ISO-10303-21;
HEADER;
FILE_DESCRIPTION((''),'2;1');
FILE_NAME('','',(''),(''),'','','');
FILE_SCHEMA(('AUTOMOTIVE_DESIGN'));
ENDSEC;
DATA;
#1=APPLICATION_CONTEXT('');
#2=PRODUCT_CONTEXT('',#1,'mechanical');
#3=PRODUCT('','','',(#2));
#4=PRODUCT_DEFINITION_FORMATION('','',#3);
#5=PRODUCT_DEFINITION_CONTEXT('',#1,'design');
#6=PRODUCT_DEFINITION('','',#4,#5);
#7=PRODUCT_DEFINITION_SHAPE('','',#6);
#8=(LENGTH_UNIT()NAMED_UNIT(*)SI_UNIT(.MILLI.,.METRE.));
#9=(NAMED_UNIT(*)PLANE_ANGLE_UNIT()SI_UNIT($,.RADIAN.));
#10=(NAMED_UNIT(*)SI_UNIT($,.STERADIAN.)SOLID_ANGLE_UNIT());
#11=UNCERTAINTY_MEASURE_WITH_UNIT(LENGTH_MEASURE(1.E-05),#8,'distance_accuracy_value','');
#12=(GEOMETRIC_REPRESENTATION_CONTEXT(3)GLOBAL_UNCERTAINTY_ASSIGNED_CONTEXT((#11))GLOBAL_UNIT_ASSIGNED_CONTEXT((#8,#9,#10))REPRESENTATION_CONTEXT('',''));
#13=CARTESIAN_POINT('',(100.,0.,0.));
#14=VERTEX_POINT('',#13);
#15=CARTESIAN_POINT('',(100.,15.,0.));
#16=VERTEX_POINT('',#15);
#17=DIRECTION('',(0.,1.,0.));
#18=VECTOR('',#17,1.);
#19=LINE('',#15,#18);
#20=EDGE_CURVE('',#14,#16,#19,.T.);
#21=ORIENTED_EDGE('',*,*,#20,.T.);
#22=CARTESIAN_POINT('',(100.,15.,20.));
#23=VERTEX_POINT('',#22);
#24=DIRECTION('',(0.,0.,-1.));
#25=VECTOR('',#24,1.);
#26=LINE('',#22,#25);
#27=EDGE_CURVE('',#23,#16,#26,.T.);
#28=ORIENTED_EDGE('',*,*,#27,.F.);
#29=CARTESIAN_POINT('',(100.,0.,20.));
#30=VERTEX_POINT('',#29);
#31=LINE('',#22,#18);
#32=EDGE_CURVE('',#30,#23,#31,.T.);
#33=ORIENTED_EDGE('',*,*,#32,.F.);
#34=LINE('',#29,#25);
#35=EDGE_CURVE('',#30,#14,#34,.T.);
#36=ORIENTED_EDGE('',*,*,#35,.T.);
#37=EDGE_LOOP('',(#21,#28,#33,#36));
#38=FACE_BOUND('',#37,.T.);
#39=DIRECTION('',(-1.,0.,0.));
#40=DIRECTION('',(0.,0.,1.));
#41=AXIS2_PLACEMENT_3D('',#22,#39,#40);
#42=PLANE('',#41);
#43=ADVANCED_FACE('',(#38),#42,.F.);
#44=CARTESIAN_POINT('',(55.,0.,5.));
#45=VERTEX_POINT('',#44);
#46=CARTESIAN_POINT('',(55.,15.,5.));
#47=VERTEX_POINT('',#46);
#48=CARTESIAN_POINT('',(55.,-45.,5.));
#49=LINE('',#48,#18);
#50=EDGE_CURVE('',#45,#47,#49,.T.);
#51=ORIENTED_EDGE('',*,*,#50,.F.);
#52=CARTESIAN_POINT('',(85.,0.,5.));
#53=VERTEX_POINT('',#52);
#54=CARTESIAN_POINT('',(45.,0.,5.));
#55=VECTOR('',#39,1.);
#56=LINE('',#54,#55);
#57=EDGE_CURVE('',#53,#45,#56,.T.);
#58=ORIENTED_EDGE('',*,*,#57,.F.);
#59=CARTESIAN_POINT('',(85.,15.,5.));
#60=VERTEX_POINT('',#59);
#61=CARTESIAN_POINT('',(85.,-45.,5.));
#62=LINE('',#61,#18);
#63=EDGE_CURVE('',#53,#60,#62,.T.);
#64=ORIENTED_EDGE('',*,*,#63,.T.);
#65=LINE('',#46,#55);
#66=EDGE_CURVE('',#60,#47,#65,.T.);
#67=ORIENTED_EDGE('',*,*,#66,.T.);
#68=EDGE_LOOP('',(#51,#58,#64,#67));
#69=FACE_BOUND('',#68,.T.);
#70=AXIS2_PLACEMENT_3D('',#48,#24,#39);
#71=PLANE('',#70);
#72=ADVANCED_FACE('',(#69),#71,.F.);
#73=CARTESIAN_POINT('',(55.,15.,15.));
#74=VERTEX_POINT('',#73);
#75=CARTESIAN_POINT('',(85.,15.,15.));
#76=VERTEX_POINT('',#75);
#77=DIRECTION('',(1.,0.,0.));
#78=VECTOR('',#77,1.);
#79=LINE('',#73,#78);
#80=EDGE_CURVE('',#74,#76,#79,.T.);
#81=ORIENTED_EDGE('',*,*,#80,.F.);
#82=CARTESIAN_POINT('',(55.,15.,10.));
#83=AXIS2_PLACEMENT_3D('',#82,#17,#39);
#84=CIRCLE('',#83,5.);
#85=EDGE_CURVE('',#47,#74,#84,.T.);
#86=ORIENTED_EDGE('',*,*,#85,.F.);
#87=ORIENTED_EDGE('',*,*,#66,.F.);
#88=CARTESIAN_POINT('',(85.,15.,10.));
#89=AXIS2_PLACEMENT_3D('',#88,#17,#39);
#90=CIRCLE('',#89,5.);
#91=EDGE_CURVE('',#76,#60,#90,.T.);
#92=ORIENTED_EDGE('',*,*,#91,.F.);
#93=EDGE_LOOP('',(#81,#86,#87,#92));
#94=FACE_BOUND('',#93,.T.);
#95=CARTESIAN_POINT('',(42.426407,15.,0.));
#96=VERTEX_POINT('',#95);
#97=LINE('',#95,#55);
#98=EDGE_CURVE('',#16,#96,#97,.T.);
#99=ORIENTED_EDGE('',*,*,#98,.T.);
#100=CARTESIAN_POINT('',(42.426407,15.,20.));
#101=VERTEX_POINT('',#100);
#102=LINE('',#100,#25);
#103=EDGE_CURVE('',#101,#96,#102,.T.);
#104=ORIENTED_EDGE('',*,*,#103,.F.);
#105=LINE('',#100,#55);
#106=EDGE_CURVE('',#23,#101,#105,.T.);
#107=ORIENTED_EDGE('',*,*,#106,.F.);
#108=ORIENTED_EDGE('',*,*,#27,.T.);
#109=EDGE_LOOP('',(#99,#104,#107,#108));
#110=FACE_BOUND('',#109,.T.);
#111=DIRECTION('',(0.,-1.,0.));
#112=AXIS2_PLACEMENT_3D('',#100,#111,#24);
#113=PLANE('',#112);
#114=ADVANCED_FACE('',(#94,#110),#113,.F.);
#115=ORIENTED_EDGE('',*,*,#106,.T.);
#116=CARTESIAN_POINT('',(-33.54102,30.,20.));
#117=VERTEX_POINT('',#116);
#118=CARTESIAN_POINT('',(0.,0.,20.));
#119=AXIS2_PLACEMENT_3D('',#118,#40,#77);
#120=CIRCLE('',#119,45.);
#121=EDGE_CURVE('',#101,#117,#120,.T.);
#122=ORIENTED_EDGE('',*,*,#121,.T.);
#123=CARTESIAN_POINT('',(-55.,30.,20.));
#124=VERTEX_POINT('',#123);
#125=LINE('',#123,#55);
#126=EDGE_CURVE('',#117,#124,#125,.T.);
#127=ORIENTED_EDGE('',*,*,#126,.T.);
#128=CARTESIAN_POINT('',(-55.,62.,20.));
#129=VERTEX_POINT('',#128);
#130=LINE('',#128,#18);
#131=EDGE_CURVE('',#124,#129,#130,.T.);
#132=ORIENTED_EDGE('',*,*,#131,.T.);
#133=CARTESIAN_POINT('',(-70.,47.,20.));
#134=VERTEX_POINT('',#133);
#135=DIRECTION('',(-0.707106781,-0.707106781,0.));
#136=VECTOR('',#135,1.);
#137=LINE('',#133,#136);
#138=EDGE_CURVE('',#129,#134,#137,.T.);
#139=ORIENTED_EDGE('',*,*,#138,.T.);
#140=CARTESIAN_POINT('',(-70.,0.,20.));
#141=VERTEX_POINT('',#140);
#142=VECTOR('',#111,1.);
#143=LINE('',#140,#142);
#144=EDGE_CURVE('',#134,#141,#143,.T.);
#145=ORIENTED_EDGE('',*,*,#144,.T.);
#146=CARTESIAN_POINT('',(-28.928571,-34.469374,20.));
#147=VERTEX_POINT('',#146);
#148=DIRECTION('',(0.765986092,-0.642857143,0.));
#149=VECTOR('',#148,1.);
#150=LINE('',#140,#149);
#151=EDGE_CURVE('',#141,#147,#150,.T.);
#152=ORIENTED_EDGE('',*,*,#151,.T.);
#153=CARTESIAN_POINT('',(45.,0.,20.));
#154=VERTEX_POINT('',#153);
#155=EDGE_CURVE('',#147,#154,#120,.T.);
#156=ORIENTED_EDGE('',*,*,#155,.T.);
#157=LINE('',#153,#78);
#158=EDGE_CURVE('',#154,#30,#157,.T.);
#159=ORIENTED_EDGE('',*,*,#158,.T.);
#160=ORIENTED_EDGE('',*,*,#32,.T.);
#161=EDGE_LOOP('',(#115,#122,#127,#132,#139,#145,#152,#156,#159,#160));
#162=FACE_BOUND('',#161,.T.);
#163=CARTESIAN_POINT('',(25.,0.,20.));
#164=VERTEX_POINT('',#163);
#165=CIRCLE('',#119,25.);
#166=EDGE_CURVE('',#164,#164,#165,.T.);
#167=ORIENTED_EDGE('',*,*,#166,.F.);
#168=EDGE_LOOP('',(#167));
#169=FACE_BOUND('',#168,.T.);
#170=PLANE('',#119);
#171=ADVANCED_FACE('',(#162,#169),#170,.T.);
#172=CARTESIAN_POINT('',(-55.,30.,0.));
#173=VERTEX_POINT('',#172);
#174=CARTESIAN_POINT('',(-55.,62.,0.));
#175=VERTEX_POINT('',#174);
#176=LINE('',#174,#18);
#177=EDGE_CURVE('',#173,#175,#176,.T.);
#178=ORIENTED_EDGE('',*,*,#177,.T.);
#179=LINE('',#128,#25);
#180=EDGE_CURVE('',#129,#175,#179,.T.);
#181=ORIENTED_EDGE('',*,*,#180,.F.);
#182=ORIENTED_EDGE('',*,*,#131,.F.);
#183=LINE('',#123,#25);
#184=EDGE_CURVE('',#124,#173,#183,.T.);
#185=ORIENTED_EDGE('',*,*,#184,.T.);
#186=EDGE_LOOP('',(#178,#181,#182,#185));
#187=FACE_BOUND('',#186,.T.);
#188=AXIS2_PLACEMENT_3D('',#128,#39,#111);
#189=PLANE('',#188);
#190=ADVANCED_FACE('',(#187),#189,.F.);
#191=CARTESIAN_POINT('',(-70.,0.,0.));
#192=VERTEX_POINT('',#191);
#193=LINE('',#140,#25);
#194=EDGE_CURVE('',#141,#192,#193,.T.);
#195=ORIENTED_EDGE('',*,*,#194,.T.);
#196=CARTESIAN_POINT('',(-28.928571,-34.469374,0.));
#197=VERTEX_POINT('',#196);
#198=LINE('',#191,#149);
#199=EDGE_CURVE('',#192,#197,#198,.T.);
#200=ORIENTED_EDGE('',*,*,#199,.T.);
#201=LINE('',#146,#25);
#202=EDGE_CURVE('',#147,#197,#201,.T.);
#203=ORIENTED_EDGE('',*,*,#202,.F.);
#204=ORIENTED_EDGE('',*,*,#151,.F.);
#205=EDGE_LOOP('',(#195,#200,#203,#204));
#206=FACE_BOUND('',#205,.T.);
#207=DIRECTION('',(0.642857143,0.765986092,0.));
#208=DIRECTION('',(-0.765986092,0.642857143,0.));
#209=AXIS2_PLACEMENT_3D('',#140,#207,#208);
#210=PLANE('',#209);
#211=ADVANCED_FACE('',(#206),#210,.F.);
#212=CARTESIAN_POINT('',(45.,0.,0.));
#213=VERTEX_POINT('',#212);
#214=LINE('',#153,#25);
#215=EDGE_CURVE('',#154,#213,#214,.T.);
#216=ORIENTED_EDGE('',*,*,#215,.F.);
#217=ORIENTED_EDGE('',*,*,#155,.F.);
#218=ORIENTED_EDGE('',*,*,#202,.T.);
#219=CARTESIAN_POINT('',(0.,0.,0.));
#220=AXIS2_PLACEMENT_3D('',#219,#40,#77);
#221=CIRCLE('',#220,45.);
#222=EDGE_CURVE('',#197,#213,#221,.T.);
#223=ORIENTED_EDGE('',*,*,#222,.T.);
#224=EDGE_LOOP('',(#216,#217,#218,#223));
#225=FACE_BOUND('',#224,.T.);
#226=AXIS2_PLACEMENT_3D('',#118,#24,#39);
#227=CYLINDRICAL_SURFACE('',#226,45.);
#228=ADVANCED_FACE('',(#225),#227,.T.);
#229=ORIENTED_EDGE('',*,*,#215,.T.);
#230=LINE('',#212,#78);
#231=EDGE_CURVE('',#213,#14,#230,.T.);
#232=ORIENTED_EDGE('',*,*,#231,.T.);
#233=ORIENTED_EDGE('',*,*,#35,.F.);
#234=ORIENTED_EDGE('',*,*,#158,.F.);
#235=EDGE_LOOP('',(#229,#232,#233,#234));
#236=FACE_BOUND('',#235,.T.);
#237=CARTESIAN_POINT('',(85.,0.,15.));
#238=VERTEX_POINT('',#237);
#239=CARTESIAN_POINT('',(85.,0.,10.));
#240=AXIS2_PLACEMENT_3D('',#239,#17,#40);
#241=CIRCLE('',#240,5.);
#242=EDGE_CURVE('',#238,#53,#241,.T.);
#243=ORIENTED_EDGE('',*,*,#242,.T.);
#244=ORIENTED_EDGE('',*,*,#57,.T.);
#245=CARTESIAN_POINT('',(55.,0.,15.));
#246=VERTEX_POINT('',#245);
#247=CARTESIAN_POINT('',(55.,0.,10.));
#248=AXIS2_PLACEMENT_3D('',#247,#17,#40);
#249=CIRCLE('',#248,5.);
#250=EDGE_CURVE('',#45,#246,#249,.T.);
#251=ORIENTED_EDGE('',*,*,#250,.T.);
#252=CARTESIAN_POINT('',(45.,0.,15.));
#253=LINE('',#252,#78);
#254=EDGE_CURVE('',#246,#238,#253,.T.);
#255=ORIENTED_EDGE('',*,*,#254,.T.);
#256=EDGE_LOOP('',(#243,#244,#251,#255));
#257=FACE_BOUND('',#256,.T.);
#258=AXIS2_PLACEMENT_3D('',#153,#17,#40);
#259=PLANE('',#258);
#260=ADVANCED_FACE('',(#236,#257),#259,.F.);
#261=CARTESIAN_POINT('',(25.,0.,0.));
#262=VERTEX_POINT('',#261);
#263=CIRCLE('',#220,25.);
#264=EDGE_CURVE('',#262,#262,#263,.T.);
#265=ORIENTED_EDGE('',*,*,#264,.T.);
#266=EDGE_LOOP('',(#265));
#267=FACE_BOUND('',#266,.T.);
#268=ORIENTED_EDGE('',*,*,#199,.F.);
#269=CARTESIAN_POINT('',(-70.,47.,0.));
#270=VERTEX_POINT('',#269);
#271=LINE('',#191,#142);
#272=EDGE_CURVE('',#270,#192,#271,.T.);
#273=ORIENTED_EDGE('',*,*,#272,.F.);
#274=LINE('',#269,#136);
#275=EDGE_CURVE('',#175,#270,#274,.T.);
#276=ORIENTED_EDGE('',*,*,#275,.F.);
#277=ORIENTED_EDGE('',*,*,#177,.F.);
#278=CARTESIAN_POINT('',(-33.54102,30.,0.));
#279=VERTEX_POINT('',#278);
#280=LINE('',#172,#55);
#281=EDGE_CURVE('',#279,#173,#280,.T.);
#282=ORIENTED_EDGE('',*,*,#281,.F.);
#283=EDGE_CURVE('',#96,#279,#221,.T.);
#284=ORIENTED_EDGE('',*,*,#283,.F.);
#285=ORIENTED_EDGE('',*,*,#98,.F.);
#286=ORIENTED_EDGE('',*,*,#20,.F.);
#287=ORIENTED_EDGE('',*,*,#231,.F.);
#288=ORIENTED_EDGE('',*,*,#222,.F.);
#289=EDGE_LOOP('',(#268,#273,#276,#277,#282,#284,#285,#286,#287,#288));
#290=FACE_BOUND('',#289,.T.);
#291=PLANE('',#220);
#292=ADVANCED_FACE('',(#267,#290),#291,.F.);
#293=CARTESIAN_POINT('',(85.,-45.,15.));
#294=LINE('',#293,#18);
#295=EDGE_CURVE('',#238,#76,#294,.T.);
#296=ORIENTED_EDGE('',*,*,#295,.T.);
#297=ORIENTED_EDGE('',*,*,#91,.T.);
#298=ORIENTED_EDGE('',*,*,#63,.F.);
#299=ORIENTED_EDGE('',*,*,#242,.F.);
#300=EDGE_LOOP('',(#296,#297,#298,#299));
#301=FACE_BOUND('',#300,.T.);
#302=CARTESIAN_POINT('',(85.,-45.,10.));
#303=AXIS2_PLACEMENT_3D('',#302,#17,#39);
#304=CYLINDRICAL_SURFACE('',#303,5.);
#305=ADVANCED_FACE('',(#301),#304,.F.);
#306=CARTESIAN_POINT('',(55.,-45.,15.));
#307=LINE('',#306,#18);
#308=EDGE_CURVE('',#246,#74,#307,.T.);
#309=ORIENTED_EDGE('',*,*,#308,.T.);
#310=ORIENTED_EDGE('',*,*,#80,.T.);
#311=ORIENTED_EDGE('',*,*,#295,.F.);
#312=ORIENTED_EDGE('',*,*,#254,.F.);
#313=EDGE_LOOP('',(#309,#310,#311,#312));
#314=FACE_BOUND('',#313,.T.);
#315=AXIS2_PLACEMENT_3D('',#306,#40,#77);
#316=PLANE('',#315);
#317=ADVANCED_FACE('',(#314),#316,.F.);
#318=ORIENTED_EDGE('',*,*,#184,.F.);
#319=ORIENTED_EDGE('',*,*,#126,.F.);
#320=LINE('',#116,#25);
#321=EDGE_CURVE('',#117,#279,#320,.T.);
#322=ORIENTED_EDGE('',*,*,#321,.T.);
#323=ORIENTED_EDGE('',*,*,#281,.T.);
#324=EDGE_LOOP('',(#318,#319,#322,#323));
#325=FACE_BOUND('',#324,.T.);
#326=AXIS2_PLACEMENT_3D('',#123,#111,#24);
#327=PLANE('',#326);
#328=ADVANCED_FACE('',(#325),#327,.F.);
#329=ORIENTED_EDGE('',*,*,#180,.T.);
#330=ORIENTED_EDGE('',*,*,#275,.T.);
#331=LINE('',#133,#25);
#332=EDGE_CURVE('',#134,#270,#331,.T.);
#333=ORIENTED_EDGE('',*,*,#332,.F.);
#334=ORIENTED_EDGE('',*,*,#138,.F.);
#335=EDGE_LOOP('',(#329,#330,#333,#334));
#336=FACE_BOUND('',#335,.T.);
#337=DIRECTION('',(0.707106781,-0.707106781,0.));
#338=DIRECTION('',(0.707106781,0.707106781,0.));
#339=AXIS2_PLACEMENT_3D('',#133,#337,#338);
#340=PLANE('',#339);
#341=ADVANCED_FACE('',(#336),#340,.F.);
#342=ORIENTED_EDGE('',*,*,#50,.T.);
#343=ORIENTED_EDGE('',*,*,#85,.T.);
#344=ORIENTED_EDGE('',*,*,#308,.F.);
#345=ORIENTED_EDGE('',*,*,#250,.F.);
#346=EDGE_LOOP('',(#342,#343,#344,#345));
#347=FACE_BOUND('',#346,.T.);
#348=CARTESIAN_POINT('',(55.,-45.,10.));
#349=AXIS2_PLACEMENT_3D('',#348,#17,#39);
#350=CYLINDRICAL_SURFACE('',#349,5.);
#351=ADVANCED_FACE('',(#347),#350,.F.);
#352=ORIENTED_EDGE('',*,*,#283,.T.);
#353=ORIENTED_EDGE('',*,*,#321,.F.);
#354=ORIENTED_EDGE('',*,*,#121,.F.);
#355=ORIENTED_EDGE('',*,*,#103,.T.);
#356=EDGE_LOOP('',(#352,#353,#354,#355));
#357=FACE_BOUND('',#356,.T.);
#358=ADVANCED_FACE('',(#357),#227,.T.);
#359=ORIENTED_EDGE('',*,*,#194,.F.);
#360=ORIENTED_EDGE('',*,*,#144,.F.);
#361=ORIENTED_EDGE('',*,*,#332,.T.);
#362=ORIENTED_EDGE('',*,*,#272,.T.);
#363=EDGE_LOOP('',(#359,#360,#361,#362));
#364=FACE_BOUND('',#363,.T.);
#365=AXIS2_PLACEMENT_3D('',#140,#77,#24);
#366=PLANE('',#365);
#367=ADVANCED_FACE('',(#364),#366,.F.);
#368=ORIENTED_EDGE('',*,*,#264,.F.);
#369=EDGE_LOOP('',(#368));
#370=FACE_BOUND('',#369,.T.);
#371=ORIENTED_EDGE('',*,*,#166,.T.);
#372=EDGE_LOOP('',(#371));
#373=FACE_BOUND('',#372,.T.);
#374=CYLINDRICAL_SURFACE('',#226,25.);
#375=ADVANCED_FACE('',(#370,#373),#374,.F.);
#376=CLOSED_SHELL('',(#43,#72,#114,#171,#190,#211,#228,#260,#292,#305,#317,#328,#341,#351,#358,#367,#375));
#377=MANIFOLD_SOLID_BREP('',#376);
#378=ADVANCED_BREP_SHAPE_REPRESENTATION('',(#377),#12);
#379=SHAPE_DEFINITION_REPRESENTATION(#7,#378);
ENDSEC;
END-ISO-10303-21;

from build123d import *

# Parameters (mm, degrees)
SKETCH1_R           = 25
BOSS_EXTRUDE1_DEPTH = 20
CUT_EXTRUDE1_DEPTH  = 61


with BuildPart() as part:
    # Sketch1 → Boss-Extrude1 (new body)
    with BuildSketch(Plane.XY):
        with BuildLine():
            Line((-70, 0), (-28.928571429, -34.469374162))
            ThreePointArc((-28.928571429, -34.469374162), (19.015970731, -40.784713523), (45, 0))
            Line((45, 0), (100, 0))
            Line((100, 0), (100, 15))
            Line((100, 15), (42.426406871, 15))
            ThreePointArc((42.426406871, 15), (8.717082451, 44.14762138), (-33.541019662, 30))
            Line((-33.541019662, 30), (-55, 30))
            Line((-55, 30), (-55, 62))
            Line((-55, 62), (-70, 47))
            Line((-70, 47), (-70, 0))
        make_face()
        Circle(SKETCH1_R, mode=Mode.SUBTRACT)
    extrude(amount=BOSS_EXTRUDE1_DEPTH)

    # Sketch2 → Cut-Extrude1 (cut, through all)
    with BuildSketch(Plane(origin=(0, 15, 0), x_dir=(1, 0, 0), z_dir=(0, 1, 0))):
        with BuildLine():
            Line((55, -15), (85, -15))
            ThreePointArc((85, -15), (90, -10), (85, -5))
            Line((85, -5), (55, -5))
            ThreePointArc((55, -5), (50, -10), (55, -15))
        make_face()
    extrude(amount=-CUT_EXTRUDE1_DEPTH, mode=Mode.SUBTRACT)


solid = part.part
